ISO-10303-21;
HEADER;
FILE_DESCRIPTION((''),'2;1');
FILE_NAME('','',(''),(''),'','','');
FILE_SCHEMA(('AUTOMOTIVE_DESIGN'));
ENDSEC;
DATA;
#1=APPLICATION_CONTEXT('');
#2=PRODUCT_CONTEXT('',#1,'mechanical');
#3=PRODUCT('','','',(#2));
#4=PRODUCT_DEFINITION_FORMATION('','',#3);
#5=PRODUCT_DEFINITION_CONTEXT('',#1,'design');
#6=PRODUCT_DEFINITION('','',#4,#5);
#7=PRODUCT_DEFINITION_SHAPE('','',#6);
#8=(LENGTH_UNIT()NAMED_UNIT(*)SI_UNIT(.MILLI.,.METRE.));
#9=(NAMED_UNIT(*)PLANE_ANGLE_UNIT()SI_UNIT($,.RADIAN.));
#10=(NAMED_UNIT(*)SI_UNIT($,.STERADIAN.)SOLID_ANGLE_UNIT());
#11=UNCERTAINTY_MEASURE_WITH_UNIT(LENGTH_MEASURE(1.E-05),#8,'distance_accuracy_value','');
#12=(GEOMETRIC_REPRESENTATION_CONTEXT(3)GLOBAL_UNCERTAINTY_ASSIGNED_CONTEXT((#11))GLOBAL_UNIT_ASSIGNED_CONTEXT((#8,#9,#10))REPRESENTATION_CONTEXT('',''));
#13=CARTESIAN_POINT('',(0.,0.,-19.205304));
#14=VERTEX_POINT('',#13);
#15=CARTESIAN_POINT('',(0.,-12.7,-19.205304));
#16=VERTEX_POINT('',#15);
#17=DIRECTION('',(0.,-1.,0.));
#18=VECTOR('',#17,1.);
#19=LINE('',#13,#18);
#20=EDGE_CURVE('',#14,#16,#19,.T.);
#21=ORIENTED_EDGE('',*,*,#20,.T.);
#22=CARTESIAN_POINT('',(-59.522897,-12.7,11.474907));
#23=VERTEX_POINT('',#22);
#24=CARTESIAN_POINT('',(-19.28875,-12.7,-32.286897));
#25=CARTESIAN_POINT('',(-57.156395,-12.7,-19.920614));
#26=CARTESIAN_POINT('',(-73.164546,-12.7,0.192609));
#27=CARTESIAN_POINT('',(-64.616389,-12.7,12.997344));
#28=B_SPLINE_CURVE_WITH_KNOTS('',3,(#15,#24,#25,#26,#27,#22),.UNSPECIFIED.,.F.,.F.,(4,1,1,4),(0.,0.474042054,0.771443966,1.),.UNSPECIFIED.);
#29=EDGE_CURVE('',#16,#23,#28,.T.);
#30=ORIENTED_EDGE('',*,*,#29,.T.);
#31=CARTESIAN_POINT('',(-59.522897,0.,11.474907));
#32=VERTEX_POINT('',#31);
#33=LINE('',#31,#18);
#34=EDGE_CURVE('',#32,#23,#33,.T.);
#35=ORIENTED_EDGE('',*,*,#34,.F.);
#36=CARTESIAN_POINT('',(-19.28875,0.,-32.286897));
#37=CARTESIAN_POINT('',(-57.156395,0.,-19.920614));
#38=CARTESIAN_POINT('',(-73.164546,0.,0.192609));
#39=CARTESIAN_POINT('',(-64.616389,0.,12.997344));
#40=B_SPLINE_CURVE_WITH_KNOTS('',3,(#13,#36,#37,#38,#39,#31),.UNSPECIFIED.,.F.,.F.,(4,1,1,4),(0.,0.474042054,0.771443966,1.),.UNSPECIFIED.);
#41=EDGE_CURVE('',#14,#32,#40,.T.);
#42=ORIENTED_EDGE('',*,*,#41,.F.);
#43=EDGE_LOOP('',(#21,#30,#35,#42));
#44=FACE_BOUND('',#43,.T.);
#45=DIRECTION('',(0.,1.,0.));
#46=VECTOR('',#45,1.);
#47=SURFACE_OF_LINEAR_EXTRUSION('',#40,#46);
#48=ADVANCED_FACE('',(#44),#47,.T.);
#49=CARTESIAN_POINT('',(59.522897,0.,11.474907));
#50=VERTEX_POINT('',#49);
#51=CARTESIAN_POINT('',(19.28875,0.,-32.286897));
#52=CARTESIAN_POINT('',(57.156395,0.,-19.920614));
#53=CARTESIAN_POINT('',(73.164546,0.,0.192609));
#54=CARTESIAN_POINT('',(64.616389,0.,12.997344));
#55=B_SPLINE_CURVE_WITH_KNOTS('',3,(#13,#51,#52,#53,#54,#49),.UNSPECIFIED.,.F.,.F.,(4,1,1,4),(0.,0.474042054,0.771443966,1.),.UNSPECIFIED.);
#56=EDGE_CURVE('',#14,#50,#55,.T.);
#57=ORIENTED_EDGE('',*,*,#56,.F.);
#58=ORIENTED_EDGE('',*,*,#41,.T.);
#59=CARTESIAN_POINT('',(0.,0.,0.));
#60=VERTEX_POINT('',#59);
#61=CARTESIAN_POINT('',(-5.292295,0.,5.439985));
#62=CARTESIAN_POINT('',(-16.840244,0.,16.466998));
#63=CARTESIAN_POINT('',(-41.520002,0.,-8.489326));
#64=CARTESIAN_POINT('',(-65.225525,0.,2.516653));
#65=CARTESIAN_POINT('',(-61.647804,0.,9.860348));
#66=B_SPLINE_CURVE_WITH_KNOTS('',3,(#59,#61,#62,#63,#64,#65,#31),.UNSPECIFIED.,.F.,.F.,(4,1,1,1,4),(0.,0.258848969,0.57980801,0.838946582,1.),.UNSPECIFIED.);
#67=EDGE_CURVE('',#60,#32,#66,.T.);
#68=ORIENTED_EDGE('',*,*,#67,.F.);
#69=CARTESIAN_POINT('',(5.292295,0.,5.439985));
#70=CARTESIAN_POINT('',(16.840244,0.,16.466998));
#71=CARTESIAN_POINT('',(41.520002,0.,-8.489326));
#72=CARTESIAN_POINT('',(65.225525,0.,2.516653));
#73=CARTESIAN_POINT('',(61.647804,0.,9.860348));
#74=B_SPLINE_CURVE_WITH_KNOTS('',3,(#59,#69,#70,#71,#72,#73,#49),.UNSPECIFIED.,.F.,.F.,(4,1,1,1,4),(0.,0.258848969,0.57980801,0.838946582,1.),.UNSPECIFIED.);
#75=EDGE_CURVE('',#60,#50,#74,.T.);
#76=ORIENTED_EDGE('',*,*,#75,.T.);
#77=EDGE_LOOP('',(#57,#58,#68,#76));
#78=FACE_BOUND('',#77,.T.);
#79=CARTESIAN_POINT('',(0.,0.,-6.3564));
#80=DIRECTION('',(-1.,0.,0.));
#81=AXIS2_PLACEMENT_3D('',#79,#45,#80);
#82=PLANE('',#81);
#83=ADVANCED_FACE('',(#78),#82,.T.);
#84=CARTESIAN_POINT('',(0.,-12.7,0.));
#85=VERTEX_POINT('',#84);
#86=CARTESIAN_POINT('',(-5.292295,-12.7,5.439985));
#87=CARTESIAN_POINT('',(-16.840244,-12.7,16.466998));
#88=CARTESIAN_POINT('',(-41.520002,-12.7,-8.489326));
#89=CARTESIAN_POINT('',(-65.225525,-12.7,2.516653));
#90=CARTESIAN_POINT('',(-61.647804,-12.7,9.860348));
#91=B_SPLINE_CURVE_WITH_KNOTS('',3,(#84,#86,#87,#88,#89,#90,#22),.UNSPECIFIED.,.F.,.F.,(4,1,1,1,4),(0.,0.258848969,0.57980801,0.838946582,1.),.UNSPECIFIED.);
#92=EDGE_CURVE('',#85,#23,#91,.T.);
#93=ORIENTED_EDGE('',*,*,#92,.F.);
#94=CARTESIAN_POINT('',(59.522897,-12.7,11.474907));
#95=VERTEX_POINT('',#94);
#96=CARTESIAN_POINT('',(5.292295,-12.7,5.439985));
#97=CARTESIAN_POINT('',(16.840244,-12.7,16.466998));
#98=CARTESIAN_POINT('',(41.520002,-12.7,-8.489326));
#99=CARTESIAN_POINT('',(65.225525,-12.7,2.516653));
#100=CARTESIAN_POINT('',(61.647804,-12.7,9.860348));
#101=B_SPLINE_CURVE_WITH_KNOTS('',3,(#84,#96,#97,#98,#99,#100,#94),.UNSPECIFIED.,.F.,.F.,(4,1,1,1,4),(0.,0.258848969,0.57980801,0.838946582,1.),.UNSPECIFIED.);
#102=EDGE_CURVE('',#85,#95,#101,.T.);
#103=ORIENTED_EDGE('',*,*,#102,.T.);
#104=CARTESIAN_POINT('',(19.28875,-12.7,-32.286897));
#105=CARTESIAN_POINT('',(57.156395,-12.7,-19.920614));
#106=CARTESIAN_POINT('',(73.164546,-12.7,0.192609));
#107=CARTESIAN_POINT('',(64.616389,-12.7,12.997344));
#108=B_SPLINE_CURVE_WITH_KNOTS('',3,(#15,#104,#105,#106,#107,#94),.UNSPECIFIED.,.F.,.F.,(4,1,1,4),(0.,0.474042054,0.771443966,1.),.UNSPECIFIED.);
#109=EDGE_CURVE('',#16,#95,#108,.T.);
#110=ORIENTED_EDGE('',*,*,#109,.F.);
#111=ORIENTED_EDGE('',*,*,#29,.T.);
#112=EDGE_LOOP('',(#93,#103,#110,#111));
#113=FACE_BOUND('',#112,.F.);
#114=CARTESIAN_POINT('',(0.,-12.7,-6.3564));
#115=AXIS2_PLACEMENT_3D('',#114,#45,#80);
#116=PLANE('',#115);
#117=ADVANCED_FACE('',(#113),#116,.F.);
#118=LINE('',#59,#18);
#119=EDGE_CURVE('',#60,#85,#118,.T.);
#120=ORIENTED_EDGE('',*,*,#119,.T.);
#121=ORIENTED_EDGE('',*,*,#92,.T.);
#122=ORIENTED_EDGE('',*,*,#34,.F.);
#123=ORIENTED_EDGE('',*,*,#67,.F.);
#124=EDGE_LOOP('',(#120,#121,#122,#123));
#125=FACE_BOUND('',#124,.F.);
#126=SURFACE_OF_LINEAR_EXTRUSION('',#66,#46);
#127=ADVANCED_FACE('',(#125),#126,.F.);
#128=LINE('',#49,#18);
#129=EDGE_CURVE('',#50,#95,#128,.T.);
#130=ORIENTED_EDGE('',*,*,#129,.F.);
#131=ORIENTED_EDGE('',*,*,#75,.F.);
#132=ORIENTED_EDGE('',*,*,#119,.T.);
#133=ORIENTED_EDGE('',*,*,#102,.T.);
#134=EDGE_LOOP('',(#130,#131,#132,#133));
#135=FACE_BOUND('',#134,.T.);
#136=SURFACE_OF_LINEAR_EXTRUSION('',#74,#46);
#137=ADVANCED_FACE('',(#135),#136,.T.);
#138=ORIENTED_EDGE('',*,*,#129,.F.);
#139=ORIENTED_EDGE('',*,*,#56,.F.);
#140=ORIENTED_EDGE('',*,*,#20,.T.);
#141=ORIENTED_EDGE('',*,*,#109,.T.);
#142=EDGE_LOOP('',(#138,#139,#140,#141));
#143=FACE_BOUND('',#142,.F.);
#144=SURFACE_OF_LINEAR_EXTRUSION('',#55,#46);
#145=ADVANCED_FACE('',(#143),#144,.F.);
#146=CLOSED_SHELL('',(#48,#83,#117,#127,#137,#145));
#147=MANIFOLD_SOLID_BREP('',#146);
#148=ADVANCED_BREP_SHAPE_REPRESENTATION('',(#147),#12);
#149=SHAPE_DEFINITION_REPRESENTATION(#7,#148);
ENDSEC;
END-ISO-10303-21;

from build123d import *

# Parameters (mm, degrees)
F1_DEPTH = 12.7


with BuildPart() as f1:
    # F0 (on Front) → F1 (new body)
    with BuildSketch(Plane.XZ):
        with BuildLine():
            add(Edge.make_bspline(
                [(0, 0), (5.2922946096, 5.4399850005), (16.8402442204, 16.4669983038), (41.5200023897, -8.48932641), (65.2255245484, 2.5166530372), (61.6478041507, 9.8603481209), (59.5228970051, 11.4749073982)],
                knots=[0, 0, 0, 0, 0.2588489693, 0.5798080105, 0.8389465825, 1, 1, 1, 1], degree=3))
            add(Edge.make_bspline(
                [(0, 0), (-5.2922946096, 5.4399850005), (-16.8402442204, 16.4669983038), (-41.5200023897, -8.48932641), (-65.2255245484, 2.5166530372), (-61.6478041507, 9.8603481209), (-59.5228970051, 11.4749073982)],
                knots=[0, 0, 0, 0, 0.2588489693, 0.5798080105, 0.8389465825, 1, 1, 1, 1], degree=3))
            add(Edge.make_bspline(
                [(0, -19.2053038627), (-19.2887499324, -32.2868970474), (-57.1563952175, -19.9206143317), (-73.1645455306, 0.1926092325), (-64.6163892516, 12.9973438846), (-59.5228970051, 11.4749073982)],
                knots=[0, 0, 0, 0, 0.4740420539, 0.7714439659, 1, 1, 1, 1], degree=3))
            add(Edge.make_bspline(
                [(0, -19.2053038627), (19.2887499324, -32.2868970474), (57.1563952175, -19.9206143317), (73.1645455306, 0.1926092325), (64.6163892516, 12.9973438846), (59.5228970051, 11.4749073982)],
                knots=[0, 0, 0, 0, 0.4740420539, 0.7714439659, 1, 1, 1, 1], degree=3))
        make_face()
    extrude(amount=F1_DEPTH)


solid = f1.part
